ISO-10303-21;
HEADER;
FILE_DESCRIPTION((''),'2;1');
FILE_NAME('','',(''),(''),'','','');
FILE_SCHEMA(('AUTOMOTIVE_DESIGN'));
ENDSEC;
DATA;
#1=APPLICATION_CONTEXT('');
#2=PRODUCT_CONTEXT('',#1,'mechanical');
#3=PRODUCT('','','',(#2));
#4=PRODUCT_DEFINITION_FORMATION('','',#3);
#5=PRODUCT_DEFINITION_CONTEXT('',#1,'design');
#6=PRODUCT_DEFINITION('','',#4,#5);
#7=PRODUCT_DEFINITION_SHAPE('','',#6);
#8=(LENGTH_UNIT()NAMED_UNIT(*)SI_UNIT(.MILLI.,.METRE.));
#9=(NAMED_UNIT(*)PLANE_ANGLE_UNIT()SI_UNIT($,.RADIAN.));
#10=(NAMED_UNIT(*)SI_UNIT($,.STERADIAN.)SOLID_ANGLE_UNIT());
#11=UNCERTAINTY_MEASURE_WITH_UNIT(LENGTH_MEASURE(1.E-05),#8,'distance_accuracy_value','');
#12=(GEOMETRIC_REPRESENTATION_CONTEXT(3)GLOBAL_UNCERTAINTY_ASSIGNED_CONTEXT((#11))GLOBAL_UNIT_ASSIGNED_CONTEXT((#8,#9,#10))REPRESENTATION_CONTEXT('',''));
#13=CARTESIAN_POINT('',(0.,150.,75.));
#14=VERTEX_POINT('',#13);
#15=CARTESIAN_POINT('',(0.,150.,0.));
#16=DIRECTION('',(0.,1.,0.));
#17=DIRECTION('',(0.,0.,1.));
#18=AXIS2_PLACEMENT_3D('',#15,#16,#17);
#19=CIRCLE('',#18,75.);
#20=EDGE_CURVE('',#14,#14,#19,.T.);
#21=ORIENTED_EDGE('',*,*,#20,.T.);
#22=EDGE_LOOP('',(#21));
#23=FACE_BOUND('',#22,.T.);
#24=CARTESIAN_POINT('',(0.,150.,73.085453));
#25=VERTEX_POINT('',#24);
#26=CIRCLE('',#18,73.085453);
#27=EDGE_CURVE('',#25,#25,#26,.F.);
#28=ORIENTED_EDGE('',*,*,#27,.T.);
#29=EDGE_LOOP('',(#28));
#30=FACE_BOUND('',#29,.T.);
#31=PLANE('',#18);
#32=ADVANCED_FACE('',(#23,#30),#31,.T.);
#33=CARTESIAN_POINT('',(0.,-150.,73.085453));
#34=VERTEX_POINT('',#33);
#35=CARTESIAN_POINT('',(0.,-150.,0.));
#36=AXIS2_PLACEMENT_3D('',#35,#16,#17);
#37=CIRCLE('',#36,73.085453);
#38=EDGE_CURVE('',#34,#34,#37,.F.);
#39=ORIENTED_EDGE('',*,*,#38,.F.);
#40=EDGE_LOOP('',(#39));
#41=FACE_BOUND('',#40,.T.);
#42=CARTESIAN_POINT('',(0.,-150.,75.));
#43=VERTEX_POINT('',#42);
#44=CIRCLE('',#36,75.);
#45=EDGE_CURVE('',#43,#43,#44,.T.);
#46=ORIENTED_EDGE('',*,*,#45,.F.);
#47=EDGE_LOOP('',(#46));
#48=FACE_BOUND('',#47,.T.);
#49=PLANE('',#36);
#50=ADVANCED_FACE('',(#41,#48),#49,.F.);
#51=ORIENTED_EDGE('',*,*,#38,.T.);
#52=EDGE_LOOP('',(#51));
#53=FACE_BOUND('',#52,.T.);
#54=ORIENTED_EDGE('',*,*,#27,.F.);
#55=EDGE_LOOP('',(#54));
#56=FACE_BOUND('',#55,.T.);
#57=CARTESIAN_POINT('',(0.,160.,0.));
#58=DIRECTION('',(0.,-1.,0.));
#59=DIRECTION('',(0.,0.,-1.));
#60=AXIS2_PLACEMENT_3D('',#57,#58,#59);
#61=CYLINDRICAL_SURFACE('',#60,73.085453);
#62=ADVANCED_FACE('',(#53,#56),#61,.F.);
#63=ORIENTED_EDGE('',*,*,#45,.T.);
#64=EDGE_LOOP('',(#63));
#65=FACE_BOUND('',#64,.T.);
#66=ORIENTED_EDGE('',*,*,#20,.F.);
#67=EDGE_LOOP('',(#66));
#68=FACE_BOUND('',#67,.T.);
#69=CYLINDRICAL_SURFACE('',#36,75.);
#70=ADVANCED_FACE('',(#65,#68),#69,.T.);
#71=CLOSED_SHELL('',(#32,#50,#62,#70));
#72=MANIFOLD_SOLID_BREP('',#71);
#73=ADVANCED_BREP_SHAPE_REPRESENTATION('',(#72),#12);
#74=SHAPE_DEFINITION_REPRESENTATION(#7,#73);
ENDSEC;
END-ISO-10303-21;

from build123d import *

# Parameters (mm, degrees)
BOSS_EXTRUDE1_DEPTH      = 150
BOSS_EXTRUDE1_DEPTH_BACK = 150
SKETCH1_R                = 75
CUT_EXTRUDE2_DEPTH       = 10
CUT_EXTRUDE2_DEPTH_BACK  = 315
SKETCH2_R                = 73.085452682


with BuildPart() as part:
    # Sketch1 → Boss-Extrude1 (new, two sides: drawn at the far end of the back side and taken through both)
    with BuildSketch(Plane(origin=(0, 0, 0), x_dir=(1, 0, 0), z_dir=(0, 1, 0)).offset(-BOSS_EXTRUDE1_DEPTH_BACK)):
        Circle(SKETCH1_R)
    extrude(amount=BOSS_EXTRUDE1_DEPTH + BOSS_EXTRUDE1_DEPTH_BACK)

    # Sketch2 → Cut-Extrude2 (cut, two sides: drawn at the far end of the back side and taken through both)
    with BuildSketch(Plane(origin=(0, 150, 0), x_dir=(1, 0, 0), z_dir=(0, 1, 0)).offset(-CUT_EXTRUDE2_DEPTH_BACK)):
        Circle(SKETCH2_R)
    extrude(amount=CUT_EXTRUDE2_DEPTH + CUT_EXTRUDE2_DEPTH_BACK, mode=Mode.SUBTRACT)


solid = part.part
